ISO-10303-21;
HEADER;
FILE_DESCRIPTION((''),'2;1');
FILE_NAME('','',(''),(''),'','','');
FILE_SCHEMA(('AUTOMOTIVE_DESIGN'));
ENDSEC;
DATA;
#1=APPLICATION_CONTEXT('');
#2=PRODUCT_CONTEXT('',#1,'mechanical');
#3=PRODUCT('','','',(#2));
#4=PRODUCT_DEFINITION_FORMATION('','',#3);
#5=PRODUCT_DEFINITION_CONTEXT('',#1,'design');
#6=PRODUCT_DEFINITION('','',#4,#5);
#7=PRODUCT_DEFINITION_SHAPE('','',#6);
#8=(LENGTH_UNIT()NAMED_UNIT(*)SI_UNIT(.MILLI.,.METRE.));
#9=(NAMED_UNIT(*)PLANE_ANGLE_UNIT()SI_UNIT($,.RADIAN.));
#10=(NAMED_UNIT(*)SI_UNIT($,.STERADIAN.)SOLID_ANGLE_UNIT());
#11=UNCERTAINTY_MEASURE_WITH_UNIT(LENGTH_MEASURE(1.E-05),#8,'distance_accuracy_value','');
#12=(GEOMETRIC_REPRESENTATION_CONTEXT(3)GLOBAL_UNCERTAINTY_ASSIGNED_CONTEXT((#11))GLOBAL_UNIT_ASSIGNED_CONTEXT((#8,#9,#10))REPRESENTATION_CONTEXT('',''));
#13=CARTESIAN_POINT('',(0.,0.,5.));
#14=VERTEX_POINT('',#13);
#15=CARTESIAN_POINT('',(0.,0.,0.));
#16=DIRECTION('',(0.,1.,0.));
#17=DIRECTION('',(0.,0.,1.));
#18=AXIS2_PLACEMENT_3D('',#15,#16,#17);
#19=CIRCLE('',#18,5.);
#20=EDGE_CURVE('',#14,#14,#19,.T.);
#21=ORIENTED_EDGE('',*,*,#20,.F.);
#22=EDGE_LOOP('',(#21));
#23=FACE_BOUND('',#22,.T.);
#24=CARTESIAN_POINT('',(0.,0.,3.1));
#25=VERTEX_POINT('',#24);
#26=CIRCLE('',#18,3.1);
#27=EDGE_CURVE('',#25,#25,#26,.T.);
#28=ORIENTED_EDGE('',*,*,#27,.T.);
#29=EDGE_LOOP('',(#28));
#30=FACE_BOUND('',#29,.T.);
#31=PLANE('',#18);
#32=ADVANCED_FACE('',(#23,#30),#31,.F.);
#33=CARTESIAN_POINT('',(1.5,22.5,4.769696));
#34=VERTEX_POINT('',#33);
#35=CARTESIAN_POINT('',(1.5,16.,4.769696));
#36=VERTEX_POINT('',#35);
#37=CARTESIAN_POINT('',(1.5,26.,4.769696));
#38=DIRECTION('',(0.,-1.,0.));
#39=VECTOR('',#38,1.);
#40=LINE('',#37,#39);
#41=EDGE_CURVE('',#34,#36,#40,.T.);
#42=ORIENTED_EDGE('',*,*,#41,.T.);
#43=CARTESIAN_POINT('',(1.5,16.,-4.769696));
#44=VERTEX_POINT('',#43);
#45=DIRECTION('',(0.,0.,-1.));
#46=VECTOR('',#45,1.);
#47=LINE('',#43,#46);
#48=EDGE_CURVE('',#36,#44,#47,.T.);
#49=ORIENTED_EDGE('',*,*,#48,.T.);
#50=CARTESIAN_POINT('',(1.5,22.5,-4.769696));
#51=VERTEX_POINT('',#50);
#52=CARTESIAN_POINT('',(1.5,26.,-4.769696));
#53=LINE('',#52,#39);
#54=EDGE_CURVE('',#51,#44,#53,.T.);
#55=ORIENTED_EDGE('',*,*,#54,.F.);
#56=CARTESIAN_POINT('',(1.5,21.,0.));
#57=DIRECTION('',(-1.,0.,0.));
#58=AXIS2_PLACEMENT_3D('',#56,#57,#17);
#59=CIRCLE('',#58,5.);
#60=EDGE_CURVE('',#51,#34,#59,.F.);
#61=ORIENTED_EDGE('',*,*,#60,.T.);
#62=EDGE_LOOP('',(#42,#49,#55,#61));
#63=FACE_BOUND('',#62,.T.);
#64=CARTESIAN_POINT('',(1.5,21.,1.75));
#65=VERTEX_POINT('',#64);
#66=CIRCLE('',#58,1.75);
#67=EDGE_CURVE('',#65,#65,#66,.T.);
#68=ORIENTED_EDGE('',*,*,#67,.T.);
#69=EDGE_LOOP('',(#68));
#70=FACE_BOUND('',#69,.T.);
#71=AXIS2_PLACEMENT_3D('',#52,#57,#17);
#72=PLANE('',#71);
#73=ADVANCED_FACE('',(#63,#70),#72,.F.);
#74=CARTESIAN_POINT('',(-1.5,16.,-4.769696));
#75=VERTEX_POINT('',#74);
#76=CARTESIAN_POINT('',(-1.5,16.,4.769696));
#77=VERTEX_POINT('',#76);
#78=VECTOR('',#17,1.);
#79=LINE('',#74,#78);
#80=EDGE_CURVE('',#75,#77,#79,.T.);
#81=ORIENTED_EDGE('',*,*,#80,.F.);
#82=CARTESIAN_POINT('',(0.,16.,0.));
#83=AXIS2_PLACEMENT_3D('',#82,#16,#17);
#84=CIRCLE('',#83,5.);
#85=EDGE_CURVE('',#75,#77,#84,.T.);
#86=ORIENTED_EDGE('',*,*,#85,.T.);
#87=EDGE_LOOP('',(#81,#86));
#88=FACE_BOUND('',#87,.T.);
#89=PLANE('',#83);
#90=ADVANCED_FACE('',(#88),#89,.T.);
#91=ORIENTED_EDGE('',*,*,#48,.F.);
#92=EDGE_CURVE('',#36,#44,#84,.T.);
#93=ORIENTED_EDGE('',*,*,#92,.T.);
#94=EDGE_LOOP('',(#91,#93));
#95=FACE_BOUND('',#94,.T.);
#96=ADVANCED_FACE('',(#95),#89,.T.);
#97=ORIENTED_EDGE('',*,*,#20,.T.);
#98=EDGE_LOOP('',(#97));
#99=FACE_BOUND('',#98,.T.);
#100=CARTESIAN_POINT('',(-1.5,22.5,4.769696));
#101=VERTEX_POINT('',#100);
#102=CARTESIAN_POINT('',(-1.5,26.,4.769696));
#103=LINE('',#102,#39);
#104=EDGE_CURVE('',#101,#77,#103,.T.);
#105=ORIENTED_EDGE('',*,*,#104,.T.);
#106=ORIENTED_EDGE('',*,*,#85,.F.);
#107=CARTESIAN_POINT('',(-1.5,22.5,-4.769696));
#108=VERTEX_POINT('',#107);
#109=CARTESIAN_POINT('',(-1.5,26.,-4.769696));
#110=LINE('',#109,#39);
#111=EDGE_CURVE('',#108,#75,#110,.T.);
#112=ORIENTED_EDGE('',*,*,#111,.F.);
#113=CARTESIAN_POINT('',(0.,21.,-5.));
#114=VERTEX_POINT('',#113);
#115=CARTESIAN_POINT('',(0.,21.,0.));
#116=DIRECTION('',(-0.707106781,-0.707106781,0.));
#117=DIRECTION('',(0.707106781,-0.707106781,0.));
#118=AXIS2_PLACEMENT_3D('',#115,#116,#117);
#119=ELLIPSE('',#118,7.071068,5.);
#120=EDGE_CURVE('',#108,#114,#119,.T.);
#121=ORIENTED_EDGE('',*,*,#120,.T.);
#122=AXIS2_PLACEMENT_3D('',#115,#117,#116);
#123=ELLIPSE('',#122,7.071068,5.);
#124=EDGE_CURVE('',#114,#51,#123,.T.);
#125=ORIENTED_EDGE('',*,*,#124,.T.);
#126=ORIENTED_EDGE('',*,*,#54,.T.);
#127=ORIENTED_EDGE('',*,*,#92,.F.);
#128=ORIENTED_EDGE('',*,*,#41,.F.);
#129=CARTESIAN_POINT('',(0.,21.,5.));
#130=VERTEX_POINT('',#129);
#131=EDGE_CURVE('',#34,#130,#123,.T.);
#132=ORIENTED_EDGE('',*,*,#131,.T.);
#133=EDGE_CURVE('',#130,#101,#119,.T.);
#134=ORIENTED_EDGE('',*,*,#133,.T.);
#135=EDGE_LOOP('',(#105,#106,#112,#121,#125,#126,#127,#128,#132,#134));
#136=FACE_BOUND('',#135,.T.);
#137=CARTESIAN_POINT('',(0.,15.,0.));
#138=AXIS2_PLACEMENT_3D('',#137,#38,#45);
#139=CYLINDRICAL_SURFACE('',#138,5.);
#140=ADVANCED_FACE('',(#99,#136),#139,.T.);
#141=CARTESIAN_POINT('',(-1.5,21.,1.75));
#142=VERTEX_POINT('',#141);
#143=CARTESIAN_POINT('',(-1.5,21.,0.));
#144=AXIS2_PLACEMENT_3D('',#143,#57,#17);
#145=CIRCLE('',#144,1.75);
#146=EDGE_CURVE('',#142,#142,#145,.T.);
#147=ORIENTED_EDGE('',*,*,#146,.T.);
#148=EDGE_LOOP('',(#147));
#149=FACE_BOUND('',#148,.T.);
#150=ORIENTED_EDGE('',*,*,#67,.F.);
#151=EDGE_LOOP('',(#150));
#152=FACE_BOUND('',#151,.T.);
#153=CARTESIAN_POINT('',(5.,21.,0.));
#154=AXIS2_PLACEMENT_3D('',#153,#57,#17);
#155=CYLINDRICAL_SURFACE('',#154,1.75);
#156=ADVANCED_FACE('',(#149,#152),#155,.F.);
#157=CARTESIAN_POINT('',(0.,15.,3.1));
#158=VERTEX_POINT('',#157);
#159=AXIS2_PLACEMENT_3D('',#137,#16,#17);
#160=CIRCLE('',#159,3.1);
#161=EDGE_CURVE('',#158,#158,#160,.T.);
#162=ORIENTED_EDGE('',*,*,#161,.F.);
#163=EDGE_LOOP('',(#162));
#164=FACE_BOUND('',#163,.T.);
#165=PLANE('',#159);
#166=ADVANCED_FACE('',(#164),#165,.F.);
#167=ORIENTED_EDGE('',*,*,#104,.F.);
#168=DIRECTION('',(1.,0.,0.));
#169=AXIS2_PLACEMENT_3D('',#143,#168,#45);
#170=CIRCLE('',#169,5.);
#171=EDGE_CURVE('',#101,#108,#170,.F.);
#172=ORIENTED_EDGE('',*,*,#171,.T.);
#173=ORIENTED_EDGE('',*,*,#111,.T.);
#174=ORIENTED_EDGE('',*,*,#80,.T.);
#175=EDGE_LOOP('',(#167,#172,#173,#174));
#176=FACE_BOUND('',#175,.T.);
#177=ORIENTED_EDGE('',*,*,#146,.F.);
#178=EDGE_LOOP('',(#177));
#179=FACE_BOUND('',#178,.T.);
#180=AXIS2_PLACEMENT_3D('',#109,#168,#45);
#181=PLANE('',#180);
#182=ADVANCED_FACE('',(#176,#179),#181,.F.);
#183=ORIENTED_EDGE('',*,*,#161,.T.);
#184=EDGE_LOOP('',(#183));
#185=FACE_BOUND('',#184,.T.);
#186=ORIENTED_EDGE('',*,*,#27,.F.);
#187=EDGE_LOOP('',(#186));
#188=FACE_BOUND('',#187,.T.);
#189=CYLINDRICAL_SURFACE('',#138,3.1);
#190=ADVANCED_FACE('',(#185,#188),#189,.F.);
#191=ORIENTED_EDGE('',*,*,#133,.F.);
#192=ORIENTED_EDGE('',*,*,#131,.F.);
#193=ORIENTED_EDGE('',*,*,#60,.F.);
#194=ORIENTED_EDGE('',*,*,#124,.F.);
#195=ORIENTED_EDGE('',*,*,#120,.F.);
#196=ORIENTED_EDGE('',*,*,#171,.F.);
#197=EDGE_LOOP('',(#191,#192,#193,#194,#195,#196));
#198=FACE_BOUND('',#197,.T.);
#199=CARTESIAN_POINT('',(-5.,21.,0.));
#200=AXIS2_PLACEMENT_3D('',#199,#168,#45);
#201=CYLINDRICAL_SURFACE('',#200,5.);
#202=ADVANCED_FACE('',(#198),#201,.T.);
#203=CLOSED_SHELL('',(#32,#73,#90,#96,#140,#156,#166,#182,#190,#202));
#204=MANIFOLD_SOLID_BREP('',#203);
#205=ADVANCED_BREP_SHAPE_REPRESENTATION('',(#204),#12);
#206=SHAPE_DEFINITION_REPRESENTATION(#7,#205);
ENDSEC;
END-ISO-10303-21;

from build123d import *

# Parameters (mm, degrees)
SKETCH1_R               = 5
SKETCH1_R_2             = 3.1
BOSS_EXTRUDE1_DEPTH     = 15
SKETCH2_R               = 5
BOSS_EXTRUDE2_DEPTH     = 1
BOSS_EXTRUDE3_DEPTH     = 10
SKETCH5_R               = 1.75
CUT_EXTRUDE1_DEPTH      = 28.26261176
CUT_EXTRUDE2_DEPTH      = 27.944387171
CUT_EXTRUDE2_DEPTH_BACK = 27.944387171


with BuildPart() as part:
    # Sketch1 → Boss-Extrude1 (new body)
    with BuildSketch(Plane(origin=(0, 0, 0), x_dir=(1, 0, 0), z_dir=(0, 1, 0))):
        with Locations(Location((0, 0, 0), (0, 0, 270))):
            Circle(SKETCH1_R)
        with Locations(Location((0, 0, 0), (0, 0, 270))):
            Circle(SKETCH1_R_2, mode=Mode.SUBTRACT)
    extrude(amount=BOSS_EXTRUDE1_DEPTH)

    # Sketch2 → Boss-Extrude2 (add)
    with BuildSketch(Plane(origin=(0, 15, 0), x_dir=(1, 0, 0), z_dir=(0, 1, 0))):
        with Locations(Location((0, 0, 0), (0, 0, 270))):
            Circle(SKETCH2_R)
    extrude(amount=BOSS_EXTRUDE2_DEPTH)

    # Sketch4 → Boss-Extrude3 (add)
    with BuildSketch(Plane(origin=(0, 16, 0), x_dir=(1, 0, 0), z_dir=(0, 1, 0))):
        with BuildLine():
            Line((-1.5, 4.769696007), (-1.5, -4.769696007))
            ThreePointArc((-1.5, -4.769696007), (0, -5), (1.5, -4.769696007))
            Line((1.5, -4.769696007), (1.5, 4.769696007))
            ThreePointArc((1.5, 4.769696007), (0, 5), (-1.5, 4.769696007))
        make_face()
    extrude(amount=BOSS_EXTRUDE3_DEPTH)

    # Sketch5 → Cut-Extrude1 (cut, through all)
    with BuildSketch(Plane.ZY.offset(1.5)):
        with Locations((0, 21)):
            Circle(SKETCH5_R)
    extrude(amount=-CUT_EXTRUDE1_DEPTH, mode=Mode.SUBTRACT)

    # Sketch6 → Cut-Extrude2 (cut, two sides: drawn at the far end of the back side and taken through both)
    with BuildSketch(Plane(origin=(0, 0, 0), x_dir=(0, 0, -1), z_dir=(1, 0, 0)).offset(-CUT_EXTRUDE2_DEPTH_BACK)):
        with BuildLine():
            Line((-5, 21), (-5, 26.951981281))
            Line((-5, 26.951981281), (5, 26.951981281))
            Line((5, 26.951981281), (5, 21))
            ThreePointArc((5, 21), (0, 26), (-5, 21))
        make_face()
    extrude(amount=CUT_EXTRUDE2_DEPTH + CUT_EXTRUDE2_DEPTH_BACK, mode=Mode.SUBTRACT)


solid = part.part
